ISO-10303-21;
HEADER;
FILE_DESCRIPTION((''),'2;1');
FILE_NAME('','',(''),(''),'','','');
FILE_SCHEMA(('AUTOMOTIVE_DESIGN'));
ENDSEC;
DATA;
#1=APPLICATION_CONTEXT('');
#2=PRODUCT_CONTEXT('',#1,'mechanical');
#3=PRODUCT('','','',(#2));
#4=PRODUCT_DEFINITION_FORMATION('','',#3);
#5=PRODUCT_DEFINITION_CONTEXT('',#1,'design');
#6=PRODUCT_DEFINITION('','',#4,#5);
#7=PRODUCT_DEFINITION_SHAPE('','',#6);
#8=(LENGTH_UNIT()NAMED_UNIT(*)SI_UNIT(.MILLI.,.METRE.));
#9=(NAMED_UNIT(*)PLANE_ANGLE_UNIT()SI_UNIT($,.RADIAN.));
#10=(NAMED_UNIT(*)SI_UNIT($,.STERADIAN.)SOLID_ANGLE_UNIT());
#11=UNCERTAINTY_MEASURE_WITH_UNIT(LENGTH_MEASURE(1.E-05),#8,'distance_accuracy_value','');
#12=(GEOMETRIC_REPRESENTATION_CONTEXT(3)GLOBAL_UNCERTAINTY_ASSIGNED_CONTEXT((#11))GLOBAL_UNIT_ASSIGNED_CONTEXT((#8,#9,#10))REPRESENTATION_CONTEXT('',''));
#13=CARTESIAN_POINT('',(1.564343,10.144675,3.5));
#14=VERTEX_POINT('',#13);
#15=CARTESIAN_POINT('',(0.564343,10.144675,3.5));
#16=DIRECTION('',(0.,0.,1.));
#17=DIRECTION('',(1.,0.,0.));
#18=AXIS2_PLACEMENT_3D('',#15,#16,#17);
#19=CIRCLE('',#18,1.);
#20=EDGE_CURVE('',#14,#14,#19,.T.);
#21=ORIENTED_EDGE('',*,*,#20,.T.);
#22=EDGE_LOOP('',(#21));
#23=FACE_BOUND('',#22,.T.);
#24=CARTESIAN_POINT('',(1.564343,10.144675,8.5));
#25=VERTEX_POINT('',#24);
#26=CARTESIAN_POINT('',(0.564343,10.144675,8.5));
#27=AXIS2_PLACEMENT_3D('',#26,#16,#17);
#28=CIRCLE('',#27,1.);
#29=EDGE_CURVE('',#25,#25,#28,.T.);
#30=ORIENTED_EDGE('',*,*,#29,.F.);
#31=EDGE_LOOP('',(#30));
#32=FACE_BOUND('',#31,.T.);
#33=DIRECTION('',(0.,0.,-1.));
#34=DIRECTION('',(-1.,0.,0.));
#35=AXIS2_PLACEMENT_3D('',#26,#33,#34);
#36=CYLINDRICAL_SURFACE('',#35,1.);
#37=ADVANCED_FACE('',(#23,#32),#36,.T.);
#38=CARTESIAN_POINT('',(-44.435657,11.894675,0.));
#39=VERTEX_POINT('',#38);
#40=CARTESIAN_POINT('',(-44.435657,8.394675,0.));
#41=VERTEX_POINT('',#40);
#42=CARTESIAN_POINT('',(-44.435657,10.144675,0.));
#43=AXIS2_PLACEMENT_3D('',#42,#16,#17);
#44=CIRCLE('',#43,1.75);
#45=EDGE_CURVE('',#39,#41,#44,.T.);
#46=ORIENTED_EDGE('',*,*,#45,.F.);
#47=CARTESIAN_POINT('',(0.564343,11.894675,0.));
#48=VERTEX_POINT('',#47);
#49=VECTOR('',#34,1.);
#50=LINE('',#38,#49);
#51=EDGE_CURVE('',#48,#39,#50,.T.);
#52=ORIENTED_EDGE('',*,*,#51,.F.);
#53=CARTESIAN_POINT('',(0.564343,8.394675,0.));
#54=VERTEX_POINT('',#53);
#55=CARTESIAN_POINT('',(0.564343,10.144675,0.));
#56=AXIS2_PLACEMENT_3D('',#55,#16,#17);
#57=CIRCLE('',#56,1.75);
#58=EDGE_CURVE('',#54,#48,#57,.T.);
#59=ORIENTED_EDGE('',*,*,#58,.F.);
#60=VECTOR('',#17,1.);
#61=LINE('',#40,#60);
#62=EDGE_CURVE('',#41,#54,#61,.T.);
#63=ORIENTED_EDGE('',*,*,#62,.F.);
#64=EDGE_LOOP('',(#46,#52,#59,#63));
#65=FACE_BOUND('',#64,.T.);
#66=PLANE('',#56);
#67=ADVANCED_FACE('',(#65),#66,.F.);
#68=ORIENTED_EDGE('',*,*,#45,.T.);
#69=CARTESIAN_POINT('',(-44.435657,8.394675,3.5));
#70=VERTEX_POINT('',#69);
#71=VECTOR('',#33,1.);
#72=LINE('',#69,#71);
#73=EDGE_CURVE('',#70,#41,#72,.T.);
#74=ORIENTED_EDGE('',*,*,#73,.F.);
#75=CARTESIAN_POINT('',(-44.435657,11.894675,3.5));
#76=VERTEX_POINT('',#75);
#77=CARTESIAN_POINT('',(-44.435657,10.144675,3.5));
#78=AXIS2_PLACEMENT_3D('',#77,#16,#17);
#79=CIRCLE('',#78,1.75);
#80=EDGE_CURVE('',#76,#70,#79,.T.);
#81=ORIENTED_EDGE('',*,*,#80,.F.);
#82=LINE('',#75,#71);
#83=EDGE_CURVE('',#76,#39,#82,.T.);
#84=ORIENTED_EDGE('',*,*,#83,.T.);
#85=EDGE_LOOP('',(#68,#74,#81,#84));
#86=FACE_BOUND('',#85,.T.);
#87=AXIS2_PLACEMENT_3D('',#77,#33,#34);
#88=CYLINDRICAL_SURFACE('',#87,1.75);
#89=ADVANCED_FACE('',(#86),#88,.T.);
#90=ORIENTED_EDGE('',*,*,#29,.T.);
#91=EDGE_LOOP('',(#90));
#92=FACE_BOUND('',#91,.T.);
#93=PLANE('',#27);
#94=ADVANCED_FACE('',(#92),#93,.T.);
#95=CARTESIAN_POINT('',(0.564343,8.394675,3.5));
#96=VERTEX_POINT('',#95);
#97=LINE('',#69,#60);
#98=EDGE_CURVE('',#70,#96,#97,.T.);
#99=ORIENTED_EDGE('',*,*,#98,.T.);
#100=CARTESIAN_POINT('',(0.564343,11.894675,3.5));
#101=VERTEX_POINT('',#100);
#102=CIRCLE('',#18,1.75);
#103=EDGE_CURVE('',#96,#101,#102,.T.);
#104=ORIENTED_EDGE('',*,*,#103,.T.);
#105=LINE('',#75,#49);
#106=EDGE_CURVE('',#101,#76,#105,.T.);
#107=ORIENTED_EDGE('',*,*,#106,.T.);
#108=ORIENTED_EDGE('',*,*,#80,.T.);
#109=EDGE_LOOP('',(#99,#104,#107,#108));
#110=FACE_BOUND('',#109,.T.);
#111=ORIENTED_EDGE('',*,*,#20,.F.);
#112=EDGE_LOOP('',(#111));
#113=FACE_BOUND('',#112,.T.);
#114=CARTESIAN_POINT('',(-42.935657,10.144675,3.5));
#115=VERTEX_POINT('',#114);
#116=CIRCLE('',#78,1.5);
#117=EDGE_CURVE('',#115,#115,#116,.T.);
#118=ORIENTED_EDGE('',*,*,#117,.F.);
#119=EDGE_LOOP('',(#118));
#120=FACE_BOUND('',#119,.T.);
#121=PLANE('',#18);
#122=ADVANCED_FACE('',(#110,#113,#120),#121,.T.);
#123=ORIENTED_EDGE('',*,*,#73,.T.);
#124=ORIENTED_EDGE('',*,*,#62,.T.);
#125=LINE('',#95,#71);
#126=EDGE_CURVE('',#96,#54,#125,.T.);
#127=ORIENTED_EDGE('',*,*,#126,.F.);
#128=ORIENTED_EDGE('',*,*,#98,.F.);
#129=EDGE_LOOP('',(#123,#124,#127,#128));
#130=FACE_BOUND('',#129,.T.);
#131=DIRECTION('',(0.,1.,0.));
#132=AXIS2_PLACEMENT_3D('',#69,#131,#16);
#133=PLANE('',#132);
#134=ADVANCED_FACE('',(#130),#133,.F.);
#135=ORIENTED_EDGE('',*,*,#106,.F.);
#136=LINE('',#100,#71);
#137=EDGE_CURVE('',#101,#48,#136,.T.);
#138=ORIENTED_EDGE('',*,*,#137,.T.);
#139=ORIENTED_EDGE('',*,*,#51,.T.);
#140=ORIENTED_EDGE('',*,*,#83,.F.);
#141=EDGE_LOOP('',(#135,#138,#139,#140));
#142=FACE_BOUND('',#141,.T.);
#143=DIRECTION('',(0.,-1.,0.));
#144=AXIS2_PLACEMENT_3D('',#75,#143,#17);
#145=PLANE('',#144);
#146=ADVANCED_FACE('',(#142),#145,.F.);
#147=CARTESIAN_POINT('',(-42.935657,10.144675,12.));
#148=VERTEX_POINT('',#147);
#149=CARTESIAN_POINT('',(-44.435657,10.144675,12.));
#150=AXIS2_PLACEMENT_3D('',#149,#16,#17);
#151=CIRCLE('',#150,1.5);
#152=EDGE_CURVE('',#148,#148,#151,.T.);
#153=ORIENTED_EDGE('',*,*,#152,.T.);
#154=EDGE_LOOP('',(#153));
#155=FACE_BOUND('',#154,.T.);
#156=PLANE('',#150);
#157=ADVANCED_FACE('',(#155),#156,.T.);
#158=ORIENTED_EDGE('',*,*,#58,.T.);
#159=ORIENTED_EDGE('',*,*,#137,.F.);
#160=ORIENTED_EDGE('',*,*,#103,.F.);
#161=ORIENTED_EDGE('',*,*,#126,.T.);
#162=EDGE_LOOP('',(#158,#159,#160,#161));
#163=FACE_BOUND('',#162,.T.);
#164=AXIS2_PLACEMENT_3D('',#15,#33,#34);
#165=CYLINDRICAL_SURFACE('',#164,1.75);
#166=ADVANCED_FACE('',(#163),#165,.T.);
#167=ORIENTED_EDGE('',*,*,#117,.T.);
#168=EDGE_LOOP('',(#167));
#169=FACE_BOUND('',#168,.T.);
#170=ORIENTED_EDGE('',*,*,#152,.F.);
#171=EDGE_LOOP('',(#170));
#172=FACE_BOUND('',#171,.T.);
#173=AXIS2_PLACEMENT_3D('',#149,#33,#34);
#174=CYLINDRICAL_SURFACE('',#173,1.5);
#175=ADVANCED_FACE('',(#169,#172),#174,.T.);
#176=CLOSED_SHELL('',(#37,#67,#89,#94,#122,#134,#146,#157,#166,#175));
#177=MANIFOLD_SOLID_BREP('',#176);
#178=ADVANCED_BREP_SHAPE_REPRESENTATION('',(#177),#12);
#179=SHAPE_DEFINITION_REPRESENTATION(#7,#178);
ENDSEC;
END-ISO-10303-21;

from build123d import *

# Parameters (mm, degrees)
BOSS_EXTRUDE1_DEPTH = 3.5
SKETCH2_R           = 1.5
BOSS_EXTRUDE2_DEPTH = 8.5
SKETCH3_R           = 1
BOSS_EXTRUDE3_DEPTH = 5


with BuildPart() as part:
    # Sketch1 → Boss-Extrude1 (new body)
    with BuildSketch(Plane.XY):
        with BuildLine():
            Line((-44.435656646, 8.394675461), (0.564343354, 8.394675461))
            ThreePointArc((0.564343354, 8.394675461), (2.314343354, 10.144675461), (0.564343354, 11.894675461))
            Line((0.564343354, 11.894675461), (-44.435656646, 11.894675461))
            ThreePointArc((-44.435656646, 11.894675461), (-46.185656646, 10.144675461), (-44.435656646, 8.394675461))
        make_face()
    extrude(amount=BOSS_EXTRUDE1_DEPTH)

    # Sketch2 → Boss-Extrude2 (add)
    with BuildSketch(Plane.XY.offset(3.5)):
        with Locations((-44.435656646, 10.144675461)):
            Circle(SKETCH2_R)
    extrude(amount=BOSS_EXTRUDE2_DEPTH)

    # Sketch3 → Boss-Extrude3 (add)
    with BuildSketch(Plane.XY.offset(3.5)):
        with Locations((0.564343354, 10.144675461)):
            Circle(SKETCH3_R)
    extrude(amount=BOSS_EXTRUDE3_DEPTH)


solid = part.part
